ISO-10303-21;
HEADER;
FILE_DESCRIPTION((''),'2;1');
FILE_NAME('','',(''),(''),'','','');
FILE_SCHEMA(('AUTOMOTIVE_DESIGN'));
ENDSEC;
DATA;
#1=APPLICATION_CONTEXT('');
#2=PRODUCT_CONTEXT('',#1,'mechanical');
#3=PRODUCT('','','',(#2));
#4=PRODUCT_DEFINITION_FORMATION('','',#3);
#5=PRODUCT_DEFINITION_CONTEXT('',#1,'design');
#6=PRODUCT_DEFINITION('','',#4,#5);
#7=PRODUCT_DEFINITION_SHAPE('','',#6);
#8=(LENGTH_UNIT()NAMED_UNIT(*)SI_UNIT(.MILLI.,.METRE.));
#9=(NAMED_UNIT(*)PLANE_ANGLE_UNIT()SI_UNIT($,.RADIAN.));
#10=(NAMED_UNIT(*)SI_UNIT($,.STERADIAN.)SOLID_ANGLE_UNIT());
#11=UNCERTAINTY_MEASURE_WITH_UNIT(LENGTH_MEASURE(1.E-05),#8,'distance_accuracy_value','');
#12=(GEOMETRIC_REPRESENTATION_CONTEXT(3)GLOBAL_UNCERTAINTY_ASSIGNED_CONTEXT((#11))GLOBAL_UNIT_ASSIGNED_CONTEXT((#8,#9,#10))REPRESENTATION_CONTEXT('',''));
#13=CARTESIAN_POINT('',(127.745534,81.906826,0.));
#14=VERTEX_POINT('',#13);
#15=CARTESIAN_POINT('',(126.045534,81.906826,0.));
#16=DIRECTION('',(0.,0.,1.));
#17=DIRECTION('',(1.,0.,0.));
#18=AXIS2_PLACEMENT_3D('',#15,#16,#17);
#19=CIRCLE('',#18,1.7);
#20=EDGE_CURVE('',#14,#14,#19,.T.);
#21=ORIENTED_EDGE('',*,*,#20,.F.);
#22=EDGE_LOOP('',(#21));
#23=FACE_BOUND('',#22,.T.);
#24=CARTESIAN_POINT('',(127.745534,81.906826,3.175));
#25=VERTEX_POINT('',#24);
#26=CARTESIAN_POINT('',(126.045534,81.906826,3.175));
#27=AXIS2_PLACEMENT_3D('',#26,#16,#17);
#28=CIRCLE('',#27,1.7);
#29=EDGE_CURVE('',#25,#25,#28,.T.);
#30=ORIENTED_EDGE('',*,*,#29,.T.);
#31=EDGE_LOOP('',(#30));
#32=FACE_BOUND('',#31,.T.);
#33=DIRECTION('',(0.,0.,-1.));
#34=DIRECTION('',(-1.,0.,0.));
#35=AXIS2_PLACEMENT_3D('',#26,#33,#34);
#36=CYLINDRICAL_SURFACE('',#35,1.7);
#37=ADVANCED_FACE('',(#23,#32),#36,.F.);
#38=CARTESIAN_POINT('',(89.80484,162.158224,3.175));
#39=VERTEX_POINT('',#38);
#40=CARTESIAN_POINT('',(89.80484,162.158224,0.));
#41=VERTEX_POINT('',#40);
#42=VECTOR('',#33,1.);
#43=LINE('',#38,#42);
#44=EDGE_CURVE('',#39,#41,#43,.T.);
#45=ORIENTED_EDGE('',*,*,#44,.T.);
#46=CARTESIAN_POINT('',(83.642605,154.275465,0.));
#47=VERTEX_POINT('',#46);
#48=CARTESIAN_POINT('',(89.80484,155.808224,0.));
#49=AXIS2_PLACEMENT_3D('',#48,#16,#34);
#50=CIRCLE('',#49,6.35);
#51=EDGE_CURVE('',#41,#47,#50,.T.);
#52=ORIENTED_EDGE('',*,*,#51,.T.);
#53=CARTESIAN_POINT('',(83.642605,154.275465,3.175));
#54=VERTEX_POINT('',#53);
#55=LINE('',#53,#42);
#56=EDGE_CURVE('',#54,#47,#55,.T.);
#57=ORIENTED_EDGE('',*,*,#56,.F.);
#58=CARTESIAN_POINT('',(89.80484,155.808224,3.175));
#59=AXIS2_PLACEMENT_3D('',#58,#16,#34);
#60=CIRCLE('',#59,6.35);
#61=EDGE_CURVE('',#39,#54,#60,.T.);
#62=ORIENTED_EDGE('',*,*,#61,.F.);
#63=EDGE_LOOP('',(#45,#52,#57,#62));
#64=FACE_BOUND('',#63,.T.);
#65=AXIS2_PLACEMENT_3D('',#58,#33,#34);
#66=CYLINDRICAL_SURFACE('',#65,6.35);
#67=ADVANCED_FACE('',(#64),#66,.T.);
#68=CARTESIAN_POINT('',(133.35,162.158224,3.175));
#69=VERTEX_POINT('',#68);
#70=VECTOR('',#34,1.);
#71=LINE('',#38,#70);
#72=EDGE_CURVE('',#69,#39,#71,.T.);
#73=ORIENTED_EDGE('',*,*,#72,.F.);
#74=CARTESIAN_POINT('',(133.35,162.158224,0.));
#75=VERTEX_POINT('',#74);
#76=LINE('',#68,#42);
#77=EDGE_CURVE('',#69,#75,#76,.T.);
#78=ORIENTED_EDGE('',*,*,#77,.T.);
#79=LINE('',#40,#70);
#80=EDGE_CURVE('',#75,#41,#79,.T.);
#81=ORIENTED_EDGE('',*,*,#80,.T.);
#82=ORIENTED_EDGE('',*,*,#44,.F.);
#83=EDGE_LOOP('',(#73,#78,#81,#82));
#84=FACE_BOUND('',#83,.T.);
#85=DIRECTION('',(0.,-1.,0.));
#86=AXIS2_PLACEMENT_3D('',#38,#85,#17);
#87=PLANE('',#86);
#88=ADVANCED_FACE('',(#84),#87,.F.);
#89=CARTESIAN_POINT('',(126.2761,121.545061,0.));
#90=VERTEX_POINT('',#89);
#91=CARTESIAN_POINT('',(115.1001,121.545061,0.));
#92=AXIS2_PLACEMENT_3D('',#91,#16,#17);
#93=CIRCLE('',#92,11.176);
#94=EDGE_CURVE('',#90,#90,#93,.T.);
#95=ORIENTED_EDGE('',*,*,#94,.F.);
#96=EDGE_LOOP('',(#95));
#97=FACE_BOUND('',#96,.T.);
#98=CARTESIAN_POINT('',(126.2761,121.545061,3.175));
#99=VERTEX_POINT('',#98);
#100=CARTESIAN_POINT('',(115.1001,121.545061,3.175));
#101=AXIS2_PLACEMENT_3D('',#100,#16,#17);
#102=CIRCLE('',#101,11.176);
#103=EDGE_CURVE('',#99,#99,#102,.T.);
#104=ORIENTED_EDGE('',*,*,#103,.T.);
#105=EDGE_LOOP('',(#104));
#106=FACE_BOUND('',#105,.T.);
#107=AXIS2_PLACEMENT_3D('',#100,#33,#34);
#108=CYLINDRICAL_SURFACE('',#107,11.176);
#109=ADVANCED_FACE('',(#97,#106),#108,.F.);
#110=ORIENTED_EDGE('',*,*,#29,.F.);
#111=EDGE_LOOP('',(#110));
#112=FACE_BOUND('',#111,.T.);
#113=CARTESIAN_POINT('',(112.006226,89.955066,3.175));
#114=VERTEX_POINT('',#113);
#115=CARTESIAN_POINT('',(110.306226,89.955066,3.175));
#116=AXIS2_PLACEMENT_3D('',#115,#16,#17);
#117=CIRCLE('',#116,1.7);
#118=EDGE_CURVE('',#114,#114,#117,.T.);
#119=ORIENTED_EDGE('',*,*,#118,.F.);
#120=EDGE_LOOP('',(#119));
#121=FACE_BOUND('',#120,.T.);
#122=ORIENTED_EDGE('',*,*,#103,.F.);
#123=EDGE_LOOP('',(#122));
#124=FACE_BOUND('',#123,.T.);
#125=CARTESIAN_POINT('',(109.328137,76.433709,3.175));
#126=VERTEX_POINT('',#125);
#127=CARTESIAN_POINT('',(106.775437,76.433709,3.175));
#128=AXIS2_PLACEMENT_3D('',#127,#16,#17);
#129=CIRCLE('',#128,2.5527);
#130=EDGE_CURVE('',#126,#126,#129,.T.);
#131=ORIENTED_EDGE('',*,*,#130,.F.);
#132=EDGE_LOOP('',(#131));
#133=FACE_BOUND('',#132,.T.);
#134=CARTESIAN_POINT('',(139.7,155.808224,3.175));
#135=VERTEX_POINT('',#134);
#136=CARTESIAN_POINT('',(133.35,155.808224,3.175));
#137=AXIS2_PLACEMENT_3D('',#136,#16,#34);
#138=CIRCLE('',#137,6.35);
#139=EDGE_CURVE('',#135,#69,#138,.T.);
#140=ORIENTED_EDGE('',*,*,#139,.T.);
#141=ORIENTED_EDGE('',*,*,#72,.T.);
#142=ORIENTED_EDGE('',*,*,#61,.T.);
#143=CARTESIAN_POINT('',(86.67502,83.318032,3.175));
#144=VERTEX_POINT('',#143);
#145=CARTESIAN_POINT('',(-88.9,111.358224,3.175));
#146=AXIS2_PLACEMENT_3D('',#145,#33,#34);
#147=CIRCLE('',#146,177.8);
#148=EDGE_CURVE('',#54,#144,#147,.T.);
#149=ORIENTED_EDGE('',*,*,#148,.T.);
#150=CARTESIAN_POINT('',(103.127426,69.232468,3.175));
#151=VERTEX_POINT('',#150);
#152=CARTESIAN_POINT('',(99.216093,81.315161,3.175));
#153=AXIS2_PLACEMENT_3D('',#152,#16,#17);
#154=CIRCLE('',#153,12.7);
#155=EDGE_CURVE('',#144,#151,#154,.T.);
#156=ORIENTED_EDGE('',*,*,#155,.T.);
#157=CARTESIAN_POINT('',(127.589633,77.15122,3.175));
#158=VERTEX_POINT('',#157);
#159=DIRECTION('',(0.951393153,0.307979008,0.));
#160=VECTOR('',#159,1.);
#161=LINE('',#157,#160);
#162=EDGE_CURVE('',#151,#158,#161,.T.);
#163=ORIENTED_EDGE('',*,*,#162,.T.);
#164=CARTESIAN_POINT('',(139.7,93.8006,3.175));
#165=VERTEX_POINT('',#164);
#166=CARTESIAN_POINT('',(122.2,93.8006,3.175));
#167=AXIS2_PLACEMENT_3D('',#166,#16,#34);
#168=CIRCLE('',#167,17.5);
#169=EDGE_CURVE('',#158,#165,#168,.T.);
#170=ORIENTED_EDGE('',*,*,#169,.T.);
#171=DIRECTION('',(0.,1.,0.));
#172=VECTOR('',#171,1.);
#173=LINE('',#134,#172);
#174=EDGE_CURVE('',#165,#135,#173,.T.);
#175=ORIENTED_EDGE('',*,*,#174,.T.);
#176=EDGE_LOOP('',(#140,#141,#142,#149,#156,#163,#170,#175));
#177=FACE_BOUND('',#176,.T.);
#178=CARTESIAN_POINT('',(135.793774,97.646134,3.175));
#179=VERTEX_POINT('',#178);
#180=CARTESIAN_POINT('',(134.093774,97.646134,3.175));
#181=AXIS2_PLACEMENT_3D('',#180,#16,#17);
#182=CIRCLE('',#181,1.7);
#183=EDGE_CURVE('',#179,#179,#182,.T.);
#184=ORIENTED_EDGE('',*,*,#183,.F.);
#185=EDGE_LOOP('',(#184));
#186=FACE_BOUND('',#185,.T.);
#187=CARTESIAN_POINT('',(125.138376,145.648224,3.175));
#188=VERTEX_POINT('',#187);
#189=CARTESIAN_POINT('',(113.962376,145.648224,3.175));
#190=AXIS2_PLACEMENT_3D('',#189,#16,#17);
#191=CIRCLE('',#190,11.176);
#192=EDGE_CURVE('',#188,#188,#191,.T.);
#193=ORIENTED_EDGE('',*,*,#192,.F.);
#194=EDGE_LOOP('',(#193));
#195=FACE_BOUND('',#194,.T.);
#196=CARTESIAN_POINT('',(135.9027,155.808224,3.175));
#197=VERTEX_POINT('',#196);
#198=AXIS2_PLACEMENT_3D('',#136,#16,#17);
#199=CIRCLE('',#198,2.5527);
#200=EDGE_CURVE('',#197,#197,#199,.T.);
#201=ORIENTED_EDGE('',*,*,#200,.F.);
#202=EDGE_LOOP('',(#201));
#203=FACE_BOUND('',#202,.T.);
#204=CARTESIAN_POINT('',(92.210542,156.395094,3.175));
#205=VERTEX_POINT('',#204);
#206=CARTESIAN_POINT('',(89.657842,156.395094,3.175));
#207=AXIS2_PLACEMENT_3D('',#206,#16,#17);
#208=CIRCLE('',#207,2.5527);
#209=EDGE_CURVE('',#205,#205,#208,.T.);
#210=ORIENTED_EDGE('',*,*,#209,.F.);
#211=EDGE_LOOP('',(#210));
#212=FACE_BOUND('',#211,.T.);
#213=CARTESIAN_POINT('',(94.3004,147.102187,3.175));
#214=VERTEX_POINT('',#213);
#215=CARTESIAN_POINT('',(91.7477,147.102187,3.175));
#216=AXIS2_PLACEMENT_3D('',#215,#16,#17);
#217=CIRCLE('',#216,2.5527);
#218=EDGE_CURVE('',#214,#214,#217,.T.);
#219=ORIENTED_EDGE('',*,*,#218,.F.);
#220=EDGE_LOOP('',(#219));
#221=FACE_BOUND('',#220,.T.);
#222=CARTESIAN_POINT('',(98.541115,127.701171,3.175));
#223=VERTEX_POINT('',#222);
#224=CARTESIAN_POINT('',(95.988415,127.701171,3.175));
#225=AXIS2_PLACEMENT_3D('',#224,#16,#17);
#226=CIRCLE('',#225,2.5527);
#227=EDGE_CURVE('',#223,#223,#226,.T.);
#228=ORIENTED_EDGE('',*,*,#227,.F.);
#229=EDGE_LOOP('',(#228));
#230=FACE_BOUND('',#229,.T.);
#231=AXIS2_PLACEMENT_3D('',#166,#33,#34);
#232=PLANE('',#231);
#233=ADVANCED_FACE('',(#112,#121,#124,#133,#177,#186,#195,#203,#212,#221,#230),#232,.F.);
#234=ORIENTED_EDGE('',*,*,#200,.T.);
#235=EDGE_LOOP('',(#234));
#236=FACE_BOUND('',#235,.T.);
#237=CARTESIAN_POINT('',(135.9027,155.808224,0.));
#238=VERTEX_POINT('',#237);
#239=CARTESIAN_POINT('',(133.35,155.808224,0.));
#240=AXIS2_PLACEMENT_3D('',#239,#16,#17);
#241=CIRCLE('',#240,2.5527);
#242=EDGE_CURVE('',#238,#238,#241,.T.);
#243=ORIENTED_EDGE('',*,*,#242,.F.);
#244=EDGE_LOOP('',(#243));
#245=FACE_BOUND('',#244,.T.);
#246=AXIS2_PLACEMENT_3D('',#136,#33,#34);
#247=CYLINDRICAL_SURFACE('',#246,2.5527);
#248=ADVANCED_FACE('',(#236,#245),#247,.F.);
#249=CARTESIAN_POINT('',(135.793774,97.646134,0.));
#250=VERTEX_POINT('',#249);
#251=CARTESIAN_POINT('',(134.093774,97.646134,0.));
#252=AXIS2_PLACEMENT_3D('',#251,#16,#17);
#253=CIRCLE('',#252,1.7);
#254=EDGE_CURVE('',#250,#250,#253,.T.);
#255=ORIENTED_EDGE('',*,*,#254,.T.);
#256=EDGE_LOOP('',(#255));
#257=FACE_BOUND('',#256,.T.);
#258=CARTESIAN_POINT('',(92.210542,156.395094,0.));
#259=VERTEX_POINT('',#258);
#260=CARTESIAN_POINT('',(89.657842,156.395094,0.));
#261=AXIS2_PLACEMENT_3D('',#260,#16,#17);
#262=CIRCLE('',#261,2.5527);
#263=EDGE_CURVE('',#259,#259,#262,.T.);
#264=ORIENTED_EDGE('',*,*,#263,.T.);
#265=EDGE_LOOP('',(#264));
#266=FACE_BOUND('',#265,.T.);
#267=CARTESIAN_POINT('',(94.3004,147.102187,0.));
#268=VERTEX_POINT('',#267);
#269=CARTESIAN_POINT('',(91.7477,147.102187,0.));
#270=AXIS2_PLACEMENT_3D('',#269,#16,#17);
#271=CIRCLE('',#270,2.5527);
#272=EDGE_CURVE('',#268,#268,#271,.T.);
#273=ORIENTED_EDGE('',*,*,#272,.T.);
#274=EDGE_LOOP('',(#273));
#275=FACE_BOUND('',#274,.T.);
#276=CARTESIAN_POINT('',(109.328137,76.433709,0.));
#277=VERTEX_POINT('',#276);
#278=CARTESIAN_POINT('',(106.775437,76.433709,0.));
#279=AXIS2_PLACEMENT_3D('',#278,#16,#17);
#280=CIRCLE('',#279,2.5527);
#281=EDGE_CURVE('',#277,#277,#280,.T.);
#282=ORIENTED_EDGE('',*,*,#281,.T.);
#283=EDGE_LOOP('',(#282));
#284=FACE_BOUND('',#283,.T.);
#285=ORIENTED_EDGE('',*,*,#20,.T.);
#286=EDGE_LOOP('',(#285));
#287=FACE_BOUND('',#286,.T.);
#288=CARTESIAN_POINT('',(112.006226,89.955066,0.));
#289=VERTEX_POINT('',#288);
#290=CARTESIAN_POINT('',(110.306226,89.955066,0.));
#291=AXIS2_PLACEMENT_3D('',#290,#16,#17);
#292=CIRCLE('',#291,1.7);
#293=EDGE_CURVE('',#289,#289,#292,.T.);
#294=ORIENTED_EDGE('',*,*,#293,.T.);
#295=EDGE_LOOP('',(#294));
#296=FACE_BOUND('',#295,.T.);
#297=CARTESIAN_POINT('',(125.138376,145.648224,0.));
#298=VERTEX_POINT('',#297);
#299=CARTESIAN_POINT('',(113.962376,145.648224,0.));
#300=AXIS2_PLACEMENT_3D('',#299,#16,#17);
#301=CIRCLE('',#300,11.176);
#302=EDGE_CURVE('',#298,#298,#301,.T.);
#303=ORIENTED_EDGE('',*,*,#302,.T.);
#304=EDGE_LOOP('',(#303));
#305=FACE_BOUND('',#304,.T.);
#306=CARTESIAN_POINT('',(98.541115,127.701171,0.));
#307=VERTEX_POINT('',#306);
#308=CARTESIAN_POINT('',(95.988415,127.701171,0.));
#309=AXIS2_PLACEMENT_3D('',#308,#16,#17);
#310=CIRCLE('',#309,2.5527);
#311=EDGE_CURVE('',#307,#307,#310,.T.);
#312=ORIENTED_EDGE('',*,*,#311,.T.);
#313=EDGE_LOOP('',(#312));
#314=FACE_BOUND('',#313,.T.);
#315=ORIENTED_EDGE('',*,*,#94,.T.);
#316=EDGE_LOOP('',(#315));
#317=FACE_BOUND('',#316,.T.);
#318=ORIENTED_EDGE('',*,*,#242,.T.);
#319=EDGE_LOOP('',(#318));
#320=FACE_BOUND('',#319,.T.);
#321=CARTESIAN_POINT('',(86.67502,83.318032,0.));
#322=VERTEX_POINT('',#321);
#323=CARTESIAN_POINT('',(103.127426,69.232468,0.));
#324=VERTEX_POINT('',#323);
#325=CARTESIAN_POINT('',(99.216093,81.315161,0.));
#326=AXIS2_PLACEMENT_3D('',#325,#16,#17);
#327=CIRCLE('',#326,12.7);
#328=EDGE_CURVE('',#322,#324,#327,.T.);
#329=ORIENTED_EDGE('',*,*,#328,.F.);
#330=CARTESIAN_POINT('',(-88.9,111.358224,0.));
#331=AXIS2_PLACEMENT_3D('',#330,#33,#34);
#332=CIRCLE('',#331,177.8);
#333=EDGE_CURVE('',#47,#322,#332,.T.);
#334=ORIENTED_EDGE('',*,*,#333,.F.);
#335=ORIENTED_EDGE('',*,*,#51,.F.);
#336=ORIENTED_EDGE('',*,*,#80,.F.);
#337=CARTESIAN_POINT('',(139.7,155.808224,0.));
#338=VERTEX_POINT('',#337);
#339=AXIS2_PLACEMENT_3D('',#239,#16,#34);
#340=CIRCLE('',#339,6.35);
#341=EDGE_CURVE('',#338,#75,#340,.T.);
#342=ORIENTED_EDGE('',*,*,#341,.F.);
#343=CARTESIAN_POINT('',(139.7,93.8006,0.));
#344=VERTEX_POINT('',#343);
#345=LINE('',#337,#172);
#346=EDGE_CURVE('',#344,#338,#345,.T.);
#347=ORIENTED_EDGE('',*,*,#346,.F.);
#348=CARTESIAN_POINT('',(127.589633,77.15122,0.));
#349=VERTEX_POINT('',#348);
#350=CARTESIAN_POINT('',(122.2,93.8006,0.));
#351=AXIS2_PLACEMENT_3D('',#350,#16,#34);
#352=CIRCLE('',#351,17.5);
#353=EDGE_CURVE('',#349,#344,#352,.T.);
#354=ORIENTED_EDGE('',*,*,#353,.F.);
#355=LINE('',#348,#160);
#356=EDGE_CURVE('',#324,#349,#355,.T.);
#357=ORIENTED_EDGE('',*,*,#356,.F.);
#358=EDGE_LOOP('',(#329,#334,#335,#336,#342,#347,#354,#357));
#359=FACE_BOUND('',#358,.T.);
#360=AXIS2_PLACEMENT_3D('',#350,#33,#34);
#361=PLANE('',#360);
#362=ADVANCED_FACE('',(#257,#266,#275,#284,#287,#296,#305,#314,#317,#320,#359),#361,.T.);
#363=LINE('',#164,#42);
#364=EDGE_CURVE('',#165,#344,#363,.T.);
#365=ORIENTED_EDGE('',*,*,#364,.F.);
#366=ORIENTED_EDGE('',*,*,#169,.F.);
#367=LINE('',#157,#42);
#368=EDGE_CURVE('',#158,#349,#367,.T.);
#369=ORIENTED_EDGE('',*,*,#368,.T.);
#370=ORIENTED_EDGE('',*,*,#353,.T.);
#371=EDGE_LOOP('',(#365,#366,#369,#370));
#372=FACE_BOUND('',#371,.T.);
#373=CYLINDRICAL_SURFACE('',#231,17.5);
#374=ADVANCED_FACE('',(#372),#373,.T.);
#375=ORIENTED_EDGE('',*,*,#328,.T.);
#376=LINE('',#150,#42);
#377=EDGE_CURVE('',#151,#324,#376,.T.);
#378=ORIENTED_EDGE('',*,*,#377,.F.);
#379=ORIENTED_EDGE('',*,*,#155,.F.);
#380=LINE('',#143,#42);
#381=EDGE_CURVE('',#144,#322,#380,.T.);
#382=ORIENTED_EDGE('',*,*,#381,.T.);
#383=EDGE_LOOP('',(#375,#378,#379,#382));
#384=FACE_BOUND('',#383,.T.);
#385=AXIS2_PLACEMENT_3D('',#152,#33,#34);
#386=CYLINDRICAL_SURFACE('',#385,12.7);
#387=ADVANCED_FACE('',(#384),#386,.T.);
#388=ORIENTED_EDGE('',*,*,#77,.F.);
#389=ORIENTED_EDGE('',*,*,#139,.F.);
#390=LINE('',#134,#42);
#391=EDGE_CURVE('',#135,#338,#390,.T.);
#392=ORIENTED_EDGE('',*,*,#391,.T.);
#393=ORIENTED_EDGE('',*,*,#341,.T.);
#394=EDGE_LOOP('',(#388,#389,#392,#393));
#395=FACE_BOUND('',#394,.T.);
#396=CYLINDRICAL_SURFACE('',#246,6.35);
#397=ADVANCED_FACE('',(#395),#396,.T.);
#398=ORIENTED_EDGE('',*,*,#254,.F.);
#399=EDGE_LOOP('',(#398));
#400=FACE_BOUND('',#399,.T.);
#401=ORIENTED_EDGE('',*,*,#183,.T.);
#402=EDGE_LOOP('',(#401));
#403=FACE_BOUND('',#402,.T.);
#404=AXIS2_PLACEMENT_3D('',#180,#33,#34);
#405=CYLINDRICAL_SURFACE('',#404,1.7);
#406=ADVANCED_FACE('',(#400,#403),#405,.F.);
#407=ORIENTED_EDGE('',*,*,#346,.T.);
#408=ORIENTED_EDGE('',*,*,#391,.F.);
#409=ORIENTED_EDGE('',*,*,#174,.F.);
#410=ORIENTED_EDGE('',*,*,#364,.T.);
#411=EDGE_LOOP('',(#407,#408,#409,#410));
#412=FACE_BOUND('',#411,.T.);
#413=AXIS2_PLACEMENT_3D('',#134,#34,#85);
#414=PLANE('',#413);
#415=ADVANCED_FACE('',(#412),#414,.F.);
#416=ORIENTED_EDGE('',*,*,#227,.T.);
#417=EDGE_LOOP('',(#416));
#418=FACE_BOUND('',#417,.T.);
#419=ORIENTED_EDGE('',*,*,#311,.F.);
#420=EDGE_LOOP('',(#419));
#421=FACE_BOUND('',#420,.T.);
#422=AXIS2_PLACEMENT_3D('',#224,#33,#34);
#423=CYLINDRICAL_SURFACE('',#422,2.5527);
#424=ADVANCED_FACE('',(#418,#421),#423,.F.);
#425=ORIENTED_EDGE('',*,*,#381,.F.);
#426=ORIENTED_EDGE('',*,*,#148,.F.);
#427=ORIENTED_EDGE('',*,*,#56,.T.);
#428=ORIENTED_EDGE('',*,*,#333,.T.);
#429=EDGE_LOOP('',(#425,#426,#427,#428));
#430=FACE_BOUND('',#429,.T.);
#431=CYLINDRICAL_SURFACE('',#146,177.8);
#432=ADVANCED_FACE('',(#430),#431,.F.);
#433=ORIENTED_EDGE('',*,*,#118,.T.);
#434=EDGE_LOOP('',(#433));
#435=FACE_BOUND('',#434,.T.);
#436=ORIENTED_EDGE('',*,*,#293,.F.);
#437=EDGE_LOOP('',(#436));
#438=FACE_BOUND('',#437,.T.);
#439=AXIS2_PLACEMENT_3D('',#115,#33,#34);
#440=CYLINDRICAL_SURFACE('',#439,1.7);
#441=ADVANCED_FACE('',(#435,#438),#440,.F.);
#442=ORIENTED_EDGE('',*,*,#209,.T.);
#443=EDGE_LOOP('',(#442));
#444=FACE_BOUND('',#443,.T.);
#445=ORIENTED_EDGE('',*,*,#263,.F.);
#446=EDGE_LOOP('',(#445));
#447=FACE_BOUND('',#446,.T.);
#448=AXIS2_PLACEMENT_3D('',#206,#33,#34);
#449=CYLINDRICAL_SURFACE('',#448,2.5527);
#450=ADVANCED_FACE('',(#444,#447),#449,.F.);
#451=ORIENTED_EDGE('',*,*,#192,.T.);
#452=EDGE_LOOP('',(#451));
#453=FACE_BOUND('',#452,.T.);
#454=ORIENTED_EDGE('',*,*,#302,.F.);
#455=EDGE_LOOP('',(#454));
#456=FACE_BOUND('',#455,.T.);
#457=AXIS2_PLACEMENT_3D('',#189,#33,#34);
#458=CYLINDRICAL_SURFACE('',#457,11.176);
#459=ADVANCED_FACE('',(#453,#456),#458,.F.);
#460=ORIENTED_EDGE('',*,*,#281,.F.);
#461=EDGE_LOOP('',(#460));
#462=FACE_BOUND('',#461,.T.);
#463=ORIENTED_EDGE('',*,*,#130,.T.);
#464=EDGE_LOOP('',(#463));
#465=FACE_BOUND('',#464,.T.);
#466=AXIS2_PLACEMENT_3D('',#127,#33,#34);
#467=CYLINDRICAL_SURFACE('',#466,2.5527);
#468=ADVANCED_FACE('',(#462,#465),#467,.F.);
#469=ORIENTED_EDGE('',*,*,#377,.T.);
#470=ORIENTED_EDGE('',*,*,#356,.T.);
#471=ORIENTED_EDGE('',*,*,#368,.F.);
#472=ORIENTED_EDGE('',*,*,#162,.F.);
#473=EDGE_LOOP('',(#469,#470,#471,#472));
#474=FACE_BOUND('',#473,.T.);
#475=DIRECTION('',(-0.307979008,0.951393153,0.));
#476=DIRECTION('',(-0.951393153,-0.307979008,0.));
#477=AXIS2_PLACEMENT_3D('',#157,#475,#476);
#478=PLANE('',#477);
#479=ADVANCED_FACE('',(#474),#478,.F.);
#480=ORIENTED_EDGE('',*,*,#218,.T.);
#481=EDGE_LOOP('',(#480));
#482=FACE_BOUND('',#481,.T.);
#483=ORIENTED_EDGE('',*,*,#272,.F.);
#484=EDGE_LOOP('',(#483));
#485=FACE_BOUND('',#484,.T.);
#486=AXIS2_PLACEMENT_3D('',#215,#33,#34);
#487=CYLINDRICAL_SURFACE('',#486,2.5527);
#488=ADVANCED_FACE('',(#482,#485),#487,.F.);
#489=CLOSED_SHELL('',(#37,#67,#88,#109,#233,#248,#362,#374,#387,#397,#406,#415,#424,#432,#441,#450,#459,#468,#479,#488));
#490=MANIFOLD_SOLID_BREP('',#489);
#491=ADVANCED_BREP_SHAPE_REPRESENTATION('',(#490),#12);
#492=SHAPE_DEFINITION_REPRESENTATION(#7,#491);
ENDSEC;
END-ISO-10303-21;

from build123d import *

# Parameters (mm, degrees)
SKETCH2_R           = 2.5527
SKETCH2_R_2         = 11.176
SKETCH2_R_3         = 1.7
BOSS_EXTRUDE1_DEPTH = 3.175


with BuildPart() as part:
    # Sketch2 → Boss-Extrude1 (new body)
    with BuildSketch(Plane.XY):
        with BuildLine():
            Line((89.804840449, 162.158224077), (133.35, 162.158224077))
            ThreePointArc((133.35, 162.158224077), (137.840128061, 160.298352138), (139.7, 155.808224077))
            Line((139.7, 155.808224077), (139.7, 93.800599977))
            ThreePointArc((139.7, 93.800599977), (136.352183067, 83.506635024), (127.589632634, 77.151219806))
            Line((127.589632634, 77.151219806), (103.12742621, 69.232468195))
            ThreePointArc((103.12742621, 69.232468195), (90.956620775, 71.66782369), (86.675019958, 83.318032089))
            ThreePointArc((86.675019958, 83.318032089), (88.737860448, 118.949701892), (83.642604572, 154.275465457))
            ThreePointArc((83.642604572, 154.275465457), (84.802065357, 159.719073266), (89.804840449, 162.158224077))
        make_face()
        with Locations((89.657841737, 156.395094021)):
            Circle(SKETCH2_R, mode=Mode.SUBTRACT)
        with Locations((91.747700228, 147.102187237)):
            Circle(SKETCH2_R, mode=Mode.SUBTRACT)
        with Locations((106.775437357, 76.433708644)):
            Circle(SKETCH2_R, mode=Mode.SUBTRACT)
        with Locations((115.1001, 121.545060726)):
            Circle(SKETCH2_R_2, mode=Mode.SUBTRACT)
        with Locations((113.962375762, 145.648224077)):
            Circle(SKETCH2_R_2, mode=Mode.SUBTRACT)
        with Locations((133.35, 155.808224077)):
            Circle(SKETCH2_R, mode=Mode.SUBTRACT)
        with Locations((95.988414932, 127.701170501)):
            Circle(SKETCH2_R, mode=Mode.SUBTRACT)
        with Locations((134.09377421, 97.646134406)):
            Circle(SKETCH2_R_3, mode=Mode.SUBTRACT)
        with Locations((126.045534429, 81.906825767)):
            Circle(SKETCH2_R_3, mode=Mode.SUBTRACT)
        with Locations((110.30622579, 89.955065547)):
            Circle(SKETCH2_R_3, mode=Mode.SUBTRACT)
    extrude(amount=BOSS_EXTRUDE1_DEPTH)


solid = part.part
